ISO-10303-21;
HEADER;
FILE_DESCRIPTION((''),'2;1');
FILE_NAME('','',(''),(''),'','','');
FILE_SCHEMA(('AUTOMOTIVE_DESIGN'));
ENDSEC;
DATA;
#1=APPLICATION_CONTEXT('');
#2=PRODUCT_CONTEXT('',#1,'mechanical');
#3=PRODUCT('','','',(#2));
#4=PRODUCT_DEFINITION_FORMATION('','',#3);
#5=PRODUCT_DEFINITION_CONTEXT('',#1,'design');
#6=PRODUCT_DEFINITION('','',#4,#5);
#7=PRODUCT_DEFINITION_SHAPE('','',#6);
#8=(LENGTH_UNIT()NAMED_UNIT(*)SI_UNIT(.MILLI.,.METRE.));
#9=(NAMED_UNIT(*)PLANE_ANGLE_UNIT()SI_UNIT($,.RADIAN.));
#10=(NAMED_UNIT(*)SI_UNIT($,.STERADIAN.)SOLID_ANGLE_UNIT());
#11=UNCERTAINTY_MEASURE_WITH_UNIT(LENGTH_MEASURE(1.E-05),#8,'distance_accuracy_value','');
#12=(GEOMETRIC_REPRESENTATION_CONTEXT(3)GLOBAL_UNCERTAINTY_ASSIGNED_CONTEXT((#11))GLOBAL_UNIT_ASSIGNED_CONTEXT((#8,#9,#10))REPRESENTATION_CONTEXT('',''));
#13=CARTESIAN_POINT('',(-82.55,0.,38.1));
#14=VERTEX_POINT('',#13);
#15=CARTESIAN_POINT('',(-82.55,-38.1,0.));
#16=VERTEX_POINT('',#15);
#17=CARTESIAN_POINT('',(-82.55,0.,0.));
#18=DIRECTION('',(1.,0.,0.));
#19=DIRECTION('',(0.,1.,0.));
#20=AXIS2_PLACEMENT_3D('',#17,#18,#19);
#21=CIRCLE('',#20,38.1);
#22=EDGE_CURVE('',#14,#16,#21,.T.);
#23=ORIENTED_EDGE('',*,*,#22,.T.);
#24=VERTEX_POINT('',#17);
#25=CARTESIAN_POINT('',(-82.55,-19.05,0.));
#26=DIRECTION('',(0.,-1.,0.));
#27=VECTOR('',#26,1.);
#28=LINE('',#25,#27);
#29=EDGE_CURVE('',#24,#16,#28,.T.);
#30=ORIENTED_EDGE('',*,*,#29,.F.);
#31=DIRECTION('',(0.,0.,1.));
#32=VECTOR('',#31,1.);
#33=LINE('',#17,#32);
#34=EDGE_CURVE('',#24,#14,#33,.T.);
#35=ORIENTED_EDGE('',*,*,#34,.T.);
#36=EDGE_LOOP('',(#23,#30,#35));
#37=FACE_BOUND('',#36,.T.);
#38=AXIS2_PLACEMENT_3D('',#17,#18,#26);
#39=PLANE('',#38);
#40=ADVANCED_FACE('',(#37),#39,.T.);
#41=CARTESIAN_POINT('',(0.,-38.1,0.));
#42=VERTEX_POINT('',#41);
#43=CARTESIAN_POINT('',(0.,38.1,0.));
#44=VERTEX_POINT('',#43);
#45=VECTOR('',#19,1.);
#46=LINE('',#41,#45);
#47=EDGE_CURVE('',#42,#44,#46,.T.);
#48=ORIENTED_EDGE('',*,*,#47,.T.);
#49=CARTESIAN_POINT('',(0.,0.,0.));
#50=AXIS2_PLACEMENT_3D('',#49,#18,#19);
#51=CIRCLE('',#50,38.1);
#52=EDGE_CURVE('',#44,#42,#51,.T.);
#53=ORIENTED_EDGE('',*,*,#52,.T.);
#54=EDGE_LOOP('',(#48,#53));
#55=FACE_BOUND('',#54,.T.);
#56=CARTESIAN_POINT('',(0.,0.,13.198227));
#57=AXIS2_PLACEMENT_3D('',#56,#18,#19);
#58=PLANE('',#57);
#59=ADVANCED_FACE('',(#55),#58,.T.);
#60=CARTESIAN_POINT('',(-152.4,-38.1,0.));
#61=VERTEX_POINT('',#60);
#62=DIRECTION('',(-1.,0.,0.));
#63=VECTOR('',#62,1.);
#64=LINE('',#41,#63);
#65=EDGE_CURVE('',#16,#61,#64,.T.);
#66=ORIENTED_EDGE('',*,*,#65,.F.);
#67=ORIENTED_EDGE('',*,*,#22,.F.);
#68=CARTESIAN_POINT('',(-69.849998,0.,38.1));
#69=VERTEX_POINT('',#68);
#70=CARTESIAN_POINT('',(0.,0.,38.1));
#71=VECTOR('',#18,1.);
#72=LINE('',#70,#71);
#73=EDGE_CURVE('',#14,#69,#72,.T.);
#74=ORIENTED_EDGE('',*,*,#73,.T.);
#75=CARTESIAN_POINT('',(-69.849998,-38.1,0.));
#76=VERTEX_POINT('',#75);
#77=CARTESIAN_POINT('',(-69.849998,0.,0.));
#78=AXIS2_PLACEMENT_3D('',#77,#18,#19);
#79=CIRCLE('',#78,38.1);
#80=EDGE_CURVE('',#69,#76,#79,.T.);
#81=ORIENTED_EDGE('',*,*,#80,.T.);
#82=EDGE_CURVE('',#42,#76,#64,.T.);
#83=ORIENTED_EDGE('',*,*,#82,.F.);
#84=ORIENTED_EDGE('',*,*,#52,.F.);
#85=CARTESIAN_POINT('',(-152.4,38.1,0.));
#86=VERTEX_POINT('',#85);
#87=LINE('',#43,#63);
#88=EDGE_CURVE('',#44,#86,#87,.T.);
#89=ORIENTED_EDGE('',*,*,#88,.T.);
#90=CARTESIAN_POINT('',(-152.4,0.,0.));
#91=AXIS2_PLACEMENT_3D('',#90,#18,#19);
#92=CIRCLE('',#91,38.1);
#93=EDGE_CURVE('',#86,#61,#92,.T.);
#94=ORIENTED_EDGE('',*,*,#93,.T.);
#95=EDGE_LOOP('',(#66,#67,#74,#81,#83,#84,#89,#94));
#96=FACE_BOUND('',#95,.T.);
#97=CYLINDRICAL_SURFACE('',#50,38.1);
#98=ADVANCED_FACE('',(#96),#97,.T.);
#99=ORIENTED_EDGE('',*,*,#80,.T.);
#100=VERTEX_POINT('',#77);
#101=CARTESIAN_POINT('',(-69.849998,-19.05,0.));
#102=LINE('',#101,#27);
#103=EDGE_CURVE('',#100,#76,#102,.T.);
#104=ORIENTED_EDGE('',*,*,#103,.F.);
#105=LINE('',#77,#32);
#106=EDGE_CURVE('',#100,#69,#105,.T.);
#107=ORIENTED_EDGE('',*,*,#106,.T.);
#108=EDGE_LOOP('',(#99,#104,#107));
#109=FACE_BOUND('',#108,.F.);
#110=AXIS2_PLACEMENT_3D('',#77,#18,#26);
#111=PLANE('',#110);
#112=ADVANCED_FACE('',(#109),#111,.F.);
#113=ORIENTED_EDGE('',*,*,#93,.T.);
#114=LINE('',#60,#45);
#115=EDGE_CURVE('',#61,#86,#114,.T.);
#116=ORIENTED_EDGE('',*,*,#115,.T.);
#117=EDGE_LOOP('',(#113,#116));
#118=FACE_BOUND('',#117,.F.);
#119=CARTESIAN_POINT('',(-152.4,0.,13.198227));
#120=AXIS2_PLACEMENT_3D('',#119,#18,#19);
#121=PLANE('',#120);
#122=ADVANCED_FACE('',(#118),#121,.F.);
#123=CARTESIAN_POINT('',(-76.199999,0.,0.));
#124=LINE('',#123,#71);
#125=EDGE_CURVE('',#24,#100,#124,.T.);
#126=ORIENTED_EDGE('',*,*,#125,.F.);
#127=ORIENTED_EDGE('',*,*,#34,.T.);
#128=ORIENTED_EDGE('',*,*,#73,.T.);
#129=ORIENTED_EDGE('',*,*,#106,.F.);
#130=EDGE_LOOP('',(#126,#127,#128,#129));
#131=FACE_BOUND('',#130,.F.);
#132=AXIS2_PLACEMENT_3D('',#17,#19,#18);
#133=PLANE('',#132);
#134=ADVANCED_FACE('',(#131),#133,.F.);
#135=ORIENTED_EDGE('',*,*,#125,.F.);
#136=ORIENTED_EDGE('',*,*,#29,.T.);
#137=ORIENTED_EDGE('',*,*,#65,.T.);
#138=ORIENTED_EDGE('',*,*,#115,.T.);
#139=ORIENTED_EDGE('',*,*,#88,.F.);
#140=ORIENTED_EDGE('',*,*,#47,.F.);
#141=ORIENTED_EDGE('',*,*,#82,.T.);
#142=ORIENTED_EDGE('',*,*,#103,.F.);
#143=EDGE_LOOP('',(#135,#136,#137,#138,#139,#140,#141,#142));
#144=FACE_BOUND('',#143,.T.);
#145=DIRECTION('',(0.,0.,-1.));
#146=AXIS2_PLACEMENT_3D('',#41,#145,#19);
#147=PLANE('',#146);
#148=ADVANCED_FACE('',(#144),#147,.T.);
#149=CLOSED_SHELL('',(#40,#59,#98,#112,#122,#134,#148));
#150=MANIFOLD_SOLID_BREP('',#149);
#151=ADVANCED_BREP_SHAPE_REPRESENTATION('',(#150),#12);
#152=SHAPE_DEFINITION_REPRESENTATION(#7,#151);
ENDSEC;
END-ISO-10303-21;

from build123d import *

# Parameters (mm, degrees)
F1_DEPTH = 152.4
F2_W     = 12.700002
F2_H     = 38.1
F3_DEPTH = 38.101


with BuildPart() as f1:
    # F0 (on Right) → F1 (new body)
    with BuildSketch(Plane.YZ):
        with BuildLine():
            Line((-38.1, 0), (38.1, 0))
            ThreePointArc((38.1, 0), (0, 38.1), (-38.1, 0))
        make_face()
    extrude(amount=-F1_DEPTH)

    # F2 (on face) → F3 (cut, through all)
    with BuildSketch(Plane(origin=(0, 0, 0), x_dir=(1, 0, 0), z_dir=(0, 0, -1))):
        with Locations((-76.199999, 19.05)):
            Rectangle(F2_W, F2_H)
    extrude(amount=-F3_DEPTH, mode=Mode.SUBTRACT)


solid = f1.part
